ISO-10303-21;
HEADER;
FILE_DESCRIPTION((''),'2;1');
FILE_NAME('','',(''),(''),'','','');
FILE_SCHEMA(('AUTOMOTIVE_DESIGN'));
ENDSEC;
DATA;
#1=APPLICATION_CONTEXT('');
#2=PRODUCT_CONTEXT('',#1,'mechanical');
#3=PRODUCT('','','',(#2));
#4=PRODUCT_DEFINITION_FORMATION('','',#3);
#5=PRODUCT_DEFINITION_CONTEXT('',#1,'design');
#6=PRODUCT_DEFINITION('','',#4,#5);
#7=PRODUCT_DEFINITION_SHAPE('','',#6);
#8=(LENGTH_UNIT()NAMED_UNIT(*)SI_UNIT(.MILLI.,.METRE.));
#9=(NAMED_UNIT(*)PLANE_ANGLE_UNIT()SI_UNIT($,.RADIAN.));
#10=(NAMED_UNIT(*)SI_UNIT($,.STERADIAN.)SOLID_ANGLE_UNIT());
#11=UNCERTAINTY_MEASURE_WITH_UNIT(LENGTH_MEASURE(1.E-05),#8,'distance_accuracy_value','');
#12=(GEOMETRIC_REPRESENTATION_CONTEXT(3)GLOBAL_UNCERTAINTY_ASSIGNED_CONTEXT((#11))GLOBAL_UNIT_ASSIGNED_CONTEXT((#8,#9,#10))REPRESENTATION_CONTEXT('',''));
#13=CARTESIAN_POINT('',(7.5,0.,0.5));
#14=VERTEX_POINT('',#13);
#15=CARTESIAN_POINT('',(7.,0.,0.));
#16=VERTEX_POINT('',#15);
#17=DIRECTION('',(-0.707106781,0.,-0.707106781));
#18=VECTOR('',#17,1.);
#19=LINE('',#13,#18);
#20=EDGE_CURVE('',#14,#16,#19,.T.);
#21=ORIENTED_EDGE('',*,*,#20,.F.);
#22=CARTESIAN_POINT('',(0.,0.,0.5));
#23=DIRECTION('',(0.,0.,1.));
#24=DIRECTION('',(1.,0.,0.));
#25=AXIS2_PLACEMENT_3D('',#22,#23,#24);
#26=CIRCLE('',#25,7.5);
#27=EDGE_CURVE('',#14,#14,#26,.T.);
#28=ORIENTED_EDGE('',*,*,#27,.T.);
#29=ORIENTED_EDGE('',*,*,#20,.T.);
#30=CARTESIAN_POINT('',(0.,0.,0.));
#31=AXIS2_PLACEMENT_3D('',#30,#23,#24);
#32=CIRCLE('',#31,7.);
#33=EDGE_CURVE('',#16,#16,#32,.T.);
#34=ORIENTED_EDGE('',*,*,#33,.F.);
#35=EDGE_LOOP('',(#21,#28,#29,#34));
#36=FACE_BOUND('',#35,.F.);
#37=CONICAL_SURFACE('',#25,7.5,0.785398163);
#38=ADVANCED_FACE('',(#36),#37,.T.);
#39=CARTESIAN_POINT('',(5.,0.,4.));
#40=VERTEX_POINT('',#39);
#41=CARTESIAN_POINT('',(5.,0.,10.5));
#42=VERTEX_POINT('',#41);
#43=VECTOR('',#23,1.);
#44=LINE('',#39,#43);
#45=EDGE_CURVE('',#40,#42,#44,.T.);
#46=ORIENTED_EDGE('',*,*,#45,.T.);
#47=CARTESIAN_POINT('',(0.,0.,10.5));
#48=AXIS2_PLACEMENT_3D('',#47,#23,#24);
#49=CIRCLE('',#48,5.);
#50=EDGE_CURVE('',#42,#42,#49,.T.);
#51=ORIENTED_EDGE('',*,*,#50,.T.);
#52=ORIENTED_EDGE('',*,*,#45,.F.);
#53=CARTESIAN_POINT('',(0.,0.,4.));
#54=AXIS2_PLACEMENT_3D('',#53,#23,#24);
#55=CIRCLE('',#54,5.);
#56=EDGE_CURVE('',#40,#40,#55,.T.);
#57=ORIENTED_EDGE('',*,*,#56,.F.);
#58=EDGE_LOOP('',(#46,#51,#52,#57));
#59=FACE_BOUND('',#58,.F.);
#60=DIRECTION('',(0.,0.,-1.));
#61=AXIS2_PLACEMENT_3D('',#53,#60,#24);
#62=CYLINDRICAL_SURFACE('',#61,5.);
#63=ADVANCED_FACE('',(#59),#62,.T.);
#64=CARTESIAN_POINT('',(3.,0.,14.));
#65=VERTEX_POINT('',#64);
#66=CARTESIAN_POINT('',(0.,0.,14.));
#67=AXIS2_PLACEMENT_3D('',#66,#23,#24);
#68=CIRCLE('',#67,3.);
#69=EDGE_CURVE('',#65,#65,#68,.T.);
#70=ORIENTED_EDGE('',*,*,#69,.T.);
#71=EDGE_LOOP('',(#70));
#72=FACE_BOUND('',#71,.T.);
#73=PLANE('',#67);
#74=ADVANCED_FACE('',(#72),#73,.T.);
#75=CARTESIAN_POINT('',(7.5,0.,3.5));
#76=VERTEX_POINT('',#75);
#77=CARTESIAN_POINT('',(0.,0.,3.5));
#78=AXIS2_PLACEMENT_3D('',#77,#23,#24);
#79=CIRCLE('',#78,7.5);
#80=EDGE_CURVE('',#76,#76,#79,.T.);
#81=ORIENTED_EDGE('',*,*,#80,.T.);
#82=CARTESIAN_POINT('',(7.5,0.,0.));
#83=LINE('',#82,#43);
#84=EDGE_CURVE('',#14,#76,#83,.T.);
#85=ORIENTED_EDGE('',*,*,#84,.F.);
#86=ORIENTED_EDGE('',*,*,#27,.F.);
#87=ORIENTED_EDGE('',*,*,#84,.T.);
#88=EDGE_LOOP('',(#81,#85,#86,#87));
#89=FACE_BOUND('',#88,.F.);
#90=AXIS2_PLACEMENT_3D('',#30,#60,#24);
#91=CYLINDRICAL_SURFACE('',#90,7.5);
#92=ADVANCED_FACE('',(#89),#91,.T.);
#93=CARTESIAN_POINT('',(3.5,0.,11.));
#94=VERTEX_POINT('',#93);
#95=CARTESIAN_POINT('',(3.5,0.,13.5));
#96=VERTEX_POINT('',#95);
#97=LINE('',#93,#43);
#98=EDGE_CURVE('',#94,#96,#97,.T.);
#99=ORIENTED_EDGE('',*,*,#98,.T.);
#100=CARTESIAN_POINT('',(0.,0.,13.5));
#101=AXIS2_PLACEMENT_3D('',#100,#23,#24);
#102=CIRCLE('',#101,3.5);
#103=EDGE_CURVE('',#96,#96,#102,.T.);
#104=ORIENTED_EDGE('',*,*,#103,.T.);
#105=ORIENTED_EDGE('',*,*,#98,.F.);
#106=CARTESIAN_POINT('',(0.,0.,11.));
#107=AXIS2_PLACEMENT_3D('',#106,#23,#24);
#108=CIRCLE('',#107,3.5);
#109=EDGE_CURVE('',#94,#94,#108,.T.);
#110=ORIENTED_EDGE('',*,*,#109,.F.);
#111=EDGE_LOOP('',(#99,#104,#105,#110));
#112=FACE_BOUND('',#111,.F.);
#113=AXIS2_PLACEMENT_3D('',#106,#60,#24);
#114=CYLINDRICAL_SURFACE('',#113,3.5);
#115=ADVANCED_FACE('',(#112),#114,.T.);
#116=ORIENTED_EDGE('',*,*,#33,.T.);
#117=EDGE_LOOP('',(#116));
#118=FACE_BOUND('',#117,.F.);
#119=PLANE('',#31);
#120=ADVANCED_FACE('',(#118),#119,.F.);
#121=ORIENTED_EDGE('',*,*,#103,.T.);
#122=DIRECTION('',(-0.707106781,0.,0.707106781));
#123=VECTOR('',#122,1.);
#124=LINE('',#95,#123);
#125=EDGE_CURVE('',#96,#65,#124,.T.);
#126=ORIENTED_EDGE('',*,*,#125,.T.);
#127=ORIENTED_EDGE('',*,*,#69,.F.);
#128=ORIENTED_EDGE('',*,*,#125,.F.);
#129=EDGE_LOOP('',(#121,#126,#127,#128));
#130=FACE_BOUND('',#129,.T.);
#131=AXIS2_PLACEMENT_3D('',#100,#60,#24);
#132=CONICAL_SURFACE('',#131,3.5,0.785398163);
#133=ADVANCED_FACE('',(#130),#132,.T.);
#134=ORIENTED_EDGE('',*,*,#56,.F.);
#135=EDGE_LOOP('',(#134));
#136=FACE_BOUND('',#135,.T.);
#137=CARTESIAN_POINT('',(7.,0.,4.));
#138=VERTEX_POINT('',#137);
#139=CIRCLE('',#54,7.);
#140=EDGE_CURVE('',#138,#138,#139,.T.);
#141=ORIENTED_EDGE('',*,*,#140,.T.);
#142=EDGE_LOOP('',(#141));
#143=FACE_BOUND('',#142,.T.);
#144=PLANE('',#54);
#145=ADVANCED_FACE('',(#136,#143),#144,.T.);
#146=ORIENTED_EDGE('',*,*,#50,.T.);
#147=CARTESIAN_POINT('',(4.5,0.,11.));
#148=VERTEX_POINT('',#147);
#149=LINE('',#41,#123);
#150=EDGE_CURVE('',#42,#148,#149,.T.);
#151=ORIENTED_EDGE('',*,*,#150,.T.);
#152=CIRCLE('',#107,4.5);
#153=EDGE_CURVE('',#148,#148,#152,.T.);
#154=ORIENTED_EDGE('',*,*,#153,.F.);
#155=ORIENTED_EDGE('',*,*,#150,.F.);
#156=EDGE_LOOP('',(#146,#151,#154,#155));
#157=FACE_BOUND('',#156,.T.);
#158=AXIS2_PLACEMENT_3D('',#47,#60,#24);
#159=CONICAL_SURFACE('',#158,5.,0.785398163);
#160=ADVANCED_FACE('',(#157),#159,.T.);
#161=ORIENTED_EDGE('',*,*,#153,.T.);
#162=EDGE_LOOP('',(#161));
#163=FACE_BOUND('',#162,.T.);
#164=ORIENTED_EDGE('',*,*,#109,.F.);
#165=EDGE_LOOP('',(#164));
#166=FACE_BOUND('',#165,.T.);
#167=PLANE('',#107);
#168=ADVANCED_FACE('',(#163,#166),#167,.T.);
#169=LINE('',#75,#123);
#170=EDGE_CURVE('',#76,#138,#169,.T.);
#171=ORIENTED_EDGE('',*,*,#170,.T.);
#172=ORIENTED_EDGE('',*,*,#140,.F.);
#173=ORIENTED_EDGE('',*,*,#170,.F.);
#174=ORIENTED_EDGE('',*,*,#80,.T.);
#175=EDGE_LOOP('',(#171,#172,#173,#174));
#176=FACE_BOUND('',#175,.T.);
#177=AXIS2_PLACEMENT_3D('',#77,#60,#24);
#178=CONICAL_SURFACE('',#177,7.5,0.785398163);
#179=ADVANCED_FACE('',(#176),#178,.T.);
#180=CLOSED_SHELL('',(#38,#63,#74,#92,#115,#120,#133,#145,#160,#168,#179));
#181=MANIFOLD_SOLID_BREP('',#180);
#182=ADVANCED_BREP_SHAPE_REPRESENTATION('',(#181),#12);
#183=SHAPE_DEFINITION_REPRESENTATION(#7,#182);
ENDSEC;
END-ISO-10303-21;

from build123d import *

# Parameters (mm, degrees)
F0_R     = 7.5
F1_DEPTH = 4
F2_R     = 5
F3_DEPTH = 7
F4_R     = 3.5
F5_DEPTH = 3
F6_SIZE  = 0.5


with BuildPart() as f1:
    # F0 (on Top) → F1 (new body)
    with BuildSketch(Plane.XY):
        Circle(F0_R)
    extrude(amount=F1_DEPTH)

    # F2 (on face) → F3 (join)
    with BuildSketch(Plane.XY.offset(4)):
        Circle(F2_R)
    extrude(amount=F3_DEPTH)

    # F4 (on face) → F5 (join)
    with BuildSketch(Plane.XY.offset(11)):
        Circle(F4_R)
    extrude(amount=F5_DEPTH)

    # F6
    f6_edges = [f1.edges().sort_by_distance(p)[0] for p in [
        (-3.5, 0, 14),
        (-5, 0, 11),
        (-7.5, 0, 4),
        (-7.5, 0, 0),
    ]]
    chamfer(f6_edges, length=F6_SIZE)


solid = f1.part
